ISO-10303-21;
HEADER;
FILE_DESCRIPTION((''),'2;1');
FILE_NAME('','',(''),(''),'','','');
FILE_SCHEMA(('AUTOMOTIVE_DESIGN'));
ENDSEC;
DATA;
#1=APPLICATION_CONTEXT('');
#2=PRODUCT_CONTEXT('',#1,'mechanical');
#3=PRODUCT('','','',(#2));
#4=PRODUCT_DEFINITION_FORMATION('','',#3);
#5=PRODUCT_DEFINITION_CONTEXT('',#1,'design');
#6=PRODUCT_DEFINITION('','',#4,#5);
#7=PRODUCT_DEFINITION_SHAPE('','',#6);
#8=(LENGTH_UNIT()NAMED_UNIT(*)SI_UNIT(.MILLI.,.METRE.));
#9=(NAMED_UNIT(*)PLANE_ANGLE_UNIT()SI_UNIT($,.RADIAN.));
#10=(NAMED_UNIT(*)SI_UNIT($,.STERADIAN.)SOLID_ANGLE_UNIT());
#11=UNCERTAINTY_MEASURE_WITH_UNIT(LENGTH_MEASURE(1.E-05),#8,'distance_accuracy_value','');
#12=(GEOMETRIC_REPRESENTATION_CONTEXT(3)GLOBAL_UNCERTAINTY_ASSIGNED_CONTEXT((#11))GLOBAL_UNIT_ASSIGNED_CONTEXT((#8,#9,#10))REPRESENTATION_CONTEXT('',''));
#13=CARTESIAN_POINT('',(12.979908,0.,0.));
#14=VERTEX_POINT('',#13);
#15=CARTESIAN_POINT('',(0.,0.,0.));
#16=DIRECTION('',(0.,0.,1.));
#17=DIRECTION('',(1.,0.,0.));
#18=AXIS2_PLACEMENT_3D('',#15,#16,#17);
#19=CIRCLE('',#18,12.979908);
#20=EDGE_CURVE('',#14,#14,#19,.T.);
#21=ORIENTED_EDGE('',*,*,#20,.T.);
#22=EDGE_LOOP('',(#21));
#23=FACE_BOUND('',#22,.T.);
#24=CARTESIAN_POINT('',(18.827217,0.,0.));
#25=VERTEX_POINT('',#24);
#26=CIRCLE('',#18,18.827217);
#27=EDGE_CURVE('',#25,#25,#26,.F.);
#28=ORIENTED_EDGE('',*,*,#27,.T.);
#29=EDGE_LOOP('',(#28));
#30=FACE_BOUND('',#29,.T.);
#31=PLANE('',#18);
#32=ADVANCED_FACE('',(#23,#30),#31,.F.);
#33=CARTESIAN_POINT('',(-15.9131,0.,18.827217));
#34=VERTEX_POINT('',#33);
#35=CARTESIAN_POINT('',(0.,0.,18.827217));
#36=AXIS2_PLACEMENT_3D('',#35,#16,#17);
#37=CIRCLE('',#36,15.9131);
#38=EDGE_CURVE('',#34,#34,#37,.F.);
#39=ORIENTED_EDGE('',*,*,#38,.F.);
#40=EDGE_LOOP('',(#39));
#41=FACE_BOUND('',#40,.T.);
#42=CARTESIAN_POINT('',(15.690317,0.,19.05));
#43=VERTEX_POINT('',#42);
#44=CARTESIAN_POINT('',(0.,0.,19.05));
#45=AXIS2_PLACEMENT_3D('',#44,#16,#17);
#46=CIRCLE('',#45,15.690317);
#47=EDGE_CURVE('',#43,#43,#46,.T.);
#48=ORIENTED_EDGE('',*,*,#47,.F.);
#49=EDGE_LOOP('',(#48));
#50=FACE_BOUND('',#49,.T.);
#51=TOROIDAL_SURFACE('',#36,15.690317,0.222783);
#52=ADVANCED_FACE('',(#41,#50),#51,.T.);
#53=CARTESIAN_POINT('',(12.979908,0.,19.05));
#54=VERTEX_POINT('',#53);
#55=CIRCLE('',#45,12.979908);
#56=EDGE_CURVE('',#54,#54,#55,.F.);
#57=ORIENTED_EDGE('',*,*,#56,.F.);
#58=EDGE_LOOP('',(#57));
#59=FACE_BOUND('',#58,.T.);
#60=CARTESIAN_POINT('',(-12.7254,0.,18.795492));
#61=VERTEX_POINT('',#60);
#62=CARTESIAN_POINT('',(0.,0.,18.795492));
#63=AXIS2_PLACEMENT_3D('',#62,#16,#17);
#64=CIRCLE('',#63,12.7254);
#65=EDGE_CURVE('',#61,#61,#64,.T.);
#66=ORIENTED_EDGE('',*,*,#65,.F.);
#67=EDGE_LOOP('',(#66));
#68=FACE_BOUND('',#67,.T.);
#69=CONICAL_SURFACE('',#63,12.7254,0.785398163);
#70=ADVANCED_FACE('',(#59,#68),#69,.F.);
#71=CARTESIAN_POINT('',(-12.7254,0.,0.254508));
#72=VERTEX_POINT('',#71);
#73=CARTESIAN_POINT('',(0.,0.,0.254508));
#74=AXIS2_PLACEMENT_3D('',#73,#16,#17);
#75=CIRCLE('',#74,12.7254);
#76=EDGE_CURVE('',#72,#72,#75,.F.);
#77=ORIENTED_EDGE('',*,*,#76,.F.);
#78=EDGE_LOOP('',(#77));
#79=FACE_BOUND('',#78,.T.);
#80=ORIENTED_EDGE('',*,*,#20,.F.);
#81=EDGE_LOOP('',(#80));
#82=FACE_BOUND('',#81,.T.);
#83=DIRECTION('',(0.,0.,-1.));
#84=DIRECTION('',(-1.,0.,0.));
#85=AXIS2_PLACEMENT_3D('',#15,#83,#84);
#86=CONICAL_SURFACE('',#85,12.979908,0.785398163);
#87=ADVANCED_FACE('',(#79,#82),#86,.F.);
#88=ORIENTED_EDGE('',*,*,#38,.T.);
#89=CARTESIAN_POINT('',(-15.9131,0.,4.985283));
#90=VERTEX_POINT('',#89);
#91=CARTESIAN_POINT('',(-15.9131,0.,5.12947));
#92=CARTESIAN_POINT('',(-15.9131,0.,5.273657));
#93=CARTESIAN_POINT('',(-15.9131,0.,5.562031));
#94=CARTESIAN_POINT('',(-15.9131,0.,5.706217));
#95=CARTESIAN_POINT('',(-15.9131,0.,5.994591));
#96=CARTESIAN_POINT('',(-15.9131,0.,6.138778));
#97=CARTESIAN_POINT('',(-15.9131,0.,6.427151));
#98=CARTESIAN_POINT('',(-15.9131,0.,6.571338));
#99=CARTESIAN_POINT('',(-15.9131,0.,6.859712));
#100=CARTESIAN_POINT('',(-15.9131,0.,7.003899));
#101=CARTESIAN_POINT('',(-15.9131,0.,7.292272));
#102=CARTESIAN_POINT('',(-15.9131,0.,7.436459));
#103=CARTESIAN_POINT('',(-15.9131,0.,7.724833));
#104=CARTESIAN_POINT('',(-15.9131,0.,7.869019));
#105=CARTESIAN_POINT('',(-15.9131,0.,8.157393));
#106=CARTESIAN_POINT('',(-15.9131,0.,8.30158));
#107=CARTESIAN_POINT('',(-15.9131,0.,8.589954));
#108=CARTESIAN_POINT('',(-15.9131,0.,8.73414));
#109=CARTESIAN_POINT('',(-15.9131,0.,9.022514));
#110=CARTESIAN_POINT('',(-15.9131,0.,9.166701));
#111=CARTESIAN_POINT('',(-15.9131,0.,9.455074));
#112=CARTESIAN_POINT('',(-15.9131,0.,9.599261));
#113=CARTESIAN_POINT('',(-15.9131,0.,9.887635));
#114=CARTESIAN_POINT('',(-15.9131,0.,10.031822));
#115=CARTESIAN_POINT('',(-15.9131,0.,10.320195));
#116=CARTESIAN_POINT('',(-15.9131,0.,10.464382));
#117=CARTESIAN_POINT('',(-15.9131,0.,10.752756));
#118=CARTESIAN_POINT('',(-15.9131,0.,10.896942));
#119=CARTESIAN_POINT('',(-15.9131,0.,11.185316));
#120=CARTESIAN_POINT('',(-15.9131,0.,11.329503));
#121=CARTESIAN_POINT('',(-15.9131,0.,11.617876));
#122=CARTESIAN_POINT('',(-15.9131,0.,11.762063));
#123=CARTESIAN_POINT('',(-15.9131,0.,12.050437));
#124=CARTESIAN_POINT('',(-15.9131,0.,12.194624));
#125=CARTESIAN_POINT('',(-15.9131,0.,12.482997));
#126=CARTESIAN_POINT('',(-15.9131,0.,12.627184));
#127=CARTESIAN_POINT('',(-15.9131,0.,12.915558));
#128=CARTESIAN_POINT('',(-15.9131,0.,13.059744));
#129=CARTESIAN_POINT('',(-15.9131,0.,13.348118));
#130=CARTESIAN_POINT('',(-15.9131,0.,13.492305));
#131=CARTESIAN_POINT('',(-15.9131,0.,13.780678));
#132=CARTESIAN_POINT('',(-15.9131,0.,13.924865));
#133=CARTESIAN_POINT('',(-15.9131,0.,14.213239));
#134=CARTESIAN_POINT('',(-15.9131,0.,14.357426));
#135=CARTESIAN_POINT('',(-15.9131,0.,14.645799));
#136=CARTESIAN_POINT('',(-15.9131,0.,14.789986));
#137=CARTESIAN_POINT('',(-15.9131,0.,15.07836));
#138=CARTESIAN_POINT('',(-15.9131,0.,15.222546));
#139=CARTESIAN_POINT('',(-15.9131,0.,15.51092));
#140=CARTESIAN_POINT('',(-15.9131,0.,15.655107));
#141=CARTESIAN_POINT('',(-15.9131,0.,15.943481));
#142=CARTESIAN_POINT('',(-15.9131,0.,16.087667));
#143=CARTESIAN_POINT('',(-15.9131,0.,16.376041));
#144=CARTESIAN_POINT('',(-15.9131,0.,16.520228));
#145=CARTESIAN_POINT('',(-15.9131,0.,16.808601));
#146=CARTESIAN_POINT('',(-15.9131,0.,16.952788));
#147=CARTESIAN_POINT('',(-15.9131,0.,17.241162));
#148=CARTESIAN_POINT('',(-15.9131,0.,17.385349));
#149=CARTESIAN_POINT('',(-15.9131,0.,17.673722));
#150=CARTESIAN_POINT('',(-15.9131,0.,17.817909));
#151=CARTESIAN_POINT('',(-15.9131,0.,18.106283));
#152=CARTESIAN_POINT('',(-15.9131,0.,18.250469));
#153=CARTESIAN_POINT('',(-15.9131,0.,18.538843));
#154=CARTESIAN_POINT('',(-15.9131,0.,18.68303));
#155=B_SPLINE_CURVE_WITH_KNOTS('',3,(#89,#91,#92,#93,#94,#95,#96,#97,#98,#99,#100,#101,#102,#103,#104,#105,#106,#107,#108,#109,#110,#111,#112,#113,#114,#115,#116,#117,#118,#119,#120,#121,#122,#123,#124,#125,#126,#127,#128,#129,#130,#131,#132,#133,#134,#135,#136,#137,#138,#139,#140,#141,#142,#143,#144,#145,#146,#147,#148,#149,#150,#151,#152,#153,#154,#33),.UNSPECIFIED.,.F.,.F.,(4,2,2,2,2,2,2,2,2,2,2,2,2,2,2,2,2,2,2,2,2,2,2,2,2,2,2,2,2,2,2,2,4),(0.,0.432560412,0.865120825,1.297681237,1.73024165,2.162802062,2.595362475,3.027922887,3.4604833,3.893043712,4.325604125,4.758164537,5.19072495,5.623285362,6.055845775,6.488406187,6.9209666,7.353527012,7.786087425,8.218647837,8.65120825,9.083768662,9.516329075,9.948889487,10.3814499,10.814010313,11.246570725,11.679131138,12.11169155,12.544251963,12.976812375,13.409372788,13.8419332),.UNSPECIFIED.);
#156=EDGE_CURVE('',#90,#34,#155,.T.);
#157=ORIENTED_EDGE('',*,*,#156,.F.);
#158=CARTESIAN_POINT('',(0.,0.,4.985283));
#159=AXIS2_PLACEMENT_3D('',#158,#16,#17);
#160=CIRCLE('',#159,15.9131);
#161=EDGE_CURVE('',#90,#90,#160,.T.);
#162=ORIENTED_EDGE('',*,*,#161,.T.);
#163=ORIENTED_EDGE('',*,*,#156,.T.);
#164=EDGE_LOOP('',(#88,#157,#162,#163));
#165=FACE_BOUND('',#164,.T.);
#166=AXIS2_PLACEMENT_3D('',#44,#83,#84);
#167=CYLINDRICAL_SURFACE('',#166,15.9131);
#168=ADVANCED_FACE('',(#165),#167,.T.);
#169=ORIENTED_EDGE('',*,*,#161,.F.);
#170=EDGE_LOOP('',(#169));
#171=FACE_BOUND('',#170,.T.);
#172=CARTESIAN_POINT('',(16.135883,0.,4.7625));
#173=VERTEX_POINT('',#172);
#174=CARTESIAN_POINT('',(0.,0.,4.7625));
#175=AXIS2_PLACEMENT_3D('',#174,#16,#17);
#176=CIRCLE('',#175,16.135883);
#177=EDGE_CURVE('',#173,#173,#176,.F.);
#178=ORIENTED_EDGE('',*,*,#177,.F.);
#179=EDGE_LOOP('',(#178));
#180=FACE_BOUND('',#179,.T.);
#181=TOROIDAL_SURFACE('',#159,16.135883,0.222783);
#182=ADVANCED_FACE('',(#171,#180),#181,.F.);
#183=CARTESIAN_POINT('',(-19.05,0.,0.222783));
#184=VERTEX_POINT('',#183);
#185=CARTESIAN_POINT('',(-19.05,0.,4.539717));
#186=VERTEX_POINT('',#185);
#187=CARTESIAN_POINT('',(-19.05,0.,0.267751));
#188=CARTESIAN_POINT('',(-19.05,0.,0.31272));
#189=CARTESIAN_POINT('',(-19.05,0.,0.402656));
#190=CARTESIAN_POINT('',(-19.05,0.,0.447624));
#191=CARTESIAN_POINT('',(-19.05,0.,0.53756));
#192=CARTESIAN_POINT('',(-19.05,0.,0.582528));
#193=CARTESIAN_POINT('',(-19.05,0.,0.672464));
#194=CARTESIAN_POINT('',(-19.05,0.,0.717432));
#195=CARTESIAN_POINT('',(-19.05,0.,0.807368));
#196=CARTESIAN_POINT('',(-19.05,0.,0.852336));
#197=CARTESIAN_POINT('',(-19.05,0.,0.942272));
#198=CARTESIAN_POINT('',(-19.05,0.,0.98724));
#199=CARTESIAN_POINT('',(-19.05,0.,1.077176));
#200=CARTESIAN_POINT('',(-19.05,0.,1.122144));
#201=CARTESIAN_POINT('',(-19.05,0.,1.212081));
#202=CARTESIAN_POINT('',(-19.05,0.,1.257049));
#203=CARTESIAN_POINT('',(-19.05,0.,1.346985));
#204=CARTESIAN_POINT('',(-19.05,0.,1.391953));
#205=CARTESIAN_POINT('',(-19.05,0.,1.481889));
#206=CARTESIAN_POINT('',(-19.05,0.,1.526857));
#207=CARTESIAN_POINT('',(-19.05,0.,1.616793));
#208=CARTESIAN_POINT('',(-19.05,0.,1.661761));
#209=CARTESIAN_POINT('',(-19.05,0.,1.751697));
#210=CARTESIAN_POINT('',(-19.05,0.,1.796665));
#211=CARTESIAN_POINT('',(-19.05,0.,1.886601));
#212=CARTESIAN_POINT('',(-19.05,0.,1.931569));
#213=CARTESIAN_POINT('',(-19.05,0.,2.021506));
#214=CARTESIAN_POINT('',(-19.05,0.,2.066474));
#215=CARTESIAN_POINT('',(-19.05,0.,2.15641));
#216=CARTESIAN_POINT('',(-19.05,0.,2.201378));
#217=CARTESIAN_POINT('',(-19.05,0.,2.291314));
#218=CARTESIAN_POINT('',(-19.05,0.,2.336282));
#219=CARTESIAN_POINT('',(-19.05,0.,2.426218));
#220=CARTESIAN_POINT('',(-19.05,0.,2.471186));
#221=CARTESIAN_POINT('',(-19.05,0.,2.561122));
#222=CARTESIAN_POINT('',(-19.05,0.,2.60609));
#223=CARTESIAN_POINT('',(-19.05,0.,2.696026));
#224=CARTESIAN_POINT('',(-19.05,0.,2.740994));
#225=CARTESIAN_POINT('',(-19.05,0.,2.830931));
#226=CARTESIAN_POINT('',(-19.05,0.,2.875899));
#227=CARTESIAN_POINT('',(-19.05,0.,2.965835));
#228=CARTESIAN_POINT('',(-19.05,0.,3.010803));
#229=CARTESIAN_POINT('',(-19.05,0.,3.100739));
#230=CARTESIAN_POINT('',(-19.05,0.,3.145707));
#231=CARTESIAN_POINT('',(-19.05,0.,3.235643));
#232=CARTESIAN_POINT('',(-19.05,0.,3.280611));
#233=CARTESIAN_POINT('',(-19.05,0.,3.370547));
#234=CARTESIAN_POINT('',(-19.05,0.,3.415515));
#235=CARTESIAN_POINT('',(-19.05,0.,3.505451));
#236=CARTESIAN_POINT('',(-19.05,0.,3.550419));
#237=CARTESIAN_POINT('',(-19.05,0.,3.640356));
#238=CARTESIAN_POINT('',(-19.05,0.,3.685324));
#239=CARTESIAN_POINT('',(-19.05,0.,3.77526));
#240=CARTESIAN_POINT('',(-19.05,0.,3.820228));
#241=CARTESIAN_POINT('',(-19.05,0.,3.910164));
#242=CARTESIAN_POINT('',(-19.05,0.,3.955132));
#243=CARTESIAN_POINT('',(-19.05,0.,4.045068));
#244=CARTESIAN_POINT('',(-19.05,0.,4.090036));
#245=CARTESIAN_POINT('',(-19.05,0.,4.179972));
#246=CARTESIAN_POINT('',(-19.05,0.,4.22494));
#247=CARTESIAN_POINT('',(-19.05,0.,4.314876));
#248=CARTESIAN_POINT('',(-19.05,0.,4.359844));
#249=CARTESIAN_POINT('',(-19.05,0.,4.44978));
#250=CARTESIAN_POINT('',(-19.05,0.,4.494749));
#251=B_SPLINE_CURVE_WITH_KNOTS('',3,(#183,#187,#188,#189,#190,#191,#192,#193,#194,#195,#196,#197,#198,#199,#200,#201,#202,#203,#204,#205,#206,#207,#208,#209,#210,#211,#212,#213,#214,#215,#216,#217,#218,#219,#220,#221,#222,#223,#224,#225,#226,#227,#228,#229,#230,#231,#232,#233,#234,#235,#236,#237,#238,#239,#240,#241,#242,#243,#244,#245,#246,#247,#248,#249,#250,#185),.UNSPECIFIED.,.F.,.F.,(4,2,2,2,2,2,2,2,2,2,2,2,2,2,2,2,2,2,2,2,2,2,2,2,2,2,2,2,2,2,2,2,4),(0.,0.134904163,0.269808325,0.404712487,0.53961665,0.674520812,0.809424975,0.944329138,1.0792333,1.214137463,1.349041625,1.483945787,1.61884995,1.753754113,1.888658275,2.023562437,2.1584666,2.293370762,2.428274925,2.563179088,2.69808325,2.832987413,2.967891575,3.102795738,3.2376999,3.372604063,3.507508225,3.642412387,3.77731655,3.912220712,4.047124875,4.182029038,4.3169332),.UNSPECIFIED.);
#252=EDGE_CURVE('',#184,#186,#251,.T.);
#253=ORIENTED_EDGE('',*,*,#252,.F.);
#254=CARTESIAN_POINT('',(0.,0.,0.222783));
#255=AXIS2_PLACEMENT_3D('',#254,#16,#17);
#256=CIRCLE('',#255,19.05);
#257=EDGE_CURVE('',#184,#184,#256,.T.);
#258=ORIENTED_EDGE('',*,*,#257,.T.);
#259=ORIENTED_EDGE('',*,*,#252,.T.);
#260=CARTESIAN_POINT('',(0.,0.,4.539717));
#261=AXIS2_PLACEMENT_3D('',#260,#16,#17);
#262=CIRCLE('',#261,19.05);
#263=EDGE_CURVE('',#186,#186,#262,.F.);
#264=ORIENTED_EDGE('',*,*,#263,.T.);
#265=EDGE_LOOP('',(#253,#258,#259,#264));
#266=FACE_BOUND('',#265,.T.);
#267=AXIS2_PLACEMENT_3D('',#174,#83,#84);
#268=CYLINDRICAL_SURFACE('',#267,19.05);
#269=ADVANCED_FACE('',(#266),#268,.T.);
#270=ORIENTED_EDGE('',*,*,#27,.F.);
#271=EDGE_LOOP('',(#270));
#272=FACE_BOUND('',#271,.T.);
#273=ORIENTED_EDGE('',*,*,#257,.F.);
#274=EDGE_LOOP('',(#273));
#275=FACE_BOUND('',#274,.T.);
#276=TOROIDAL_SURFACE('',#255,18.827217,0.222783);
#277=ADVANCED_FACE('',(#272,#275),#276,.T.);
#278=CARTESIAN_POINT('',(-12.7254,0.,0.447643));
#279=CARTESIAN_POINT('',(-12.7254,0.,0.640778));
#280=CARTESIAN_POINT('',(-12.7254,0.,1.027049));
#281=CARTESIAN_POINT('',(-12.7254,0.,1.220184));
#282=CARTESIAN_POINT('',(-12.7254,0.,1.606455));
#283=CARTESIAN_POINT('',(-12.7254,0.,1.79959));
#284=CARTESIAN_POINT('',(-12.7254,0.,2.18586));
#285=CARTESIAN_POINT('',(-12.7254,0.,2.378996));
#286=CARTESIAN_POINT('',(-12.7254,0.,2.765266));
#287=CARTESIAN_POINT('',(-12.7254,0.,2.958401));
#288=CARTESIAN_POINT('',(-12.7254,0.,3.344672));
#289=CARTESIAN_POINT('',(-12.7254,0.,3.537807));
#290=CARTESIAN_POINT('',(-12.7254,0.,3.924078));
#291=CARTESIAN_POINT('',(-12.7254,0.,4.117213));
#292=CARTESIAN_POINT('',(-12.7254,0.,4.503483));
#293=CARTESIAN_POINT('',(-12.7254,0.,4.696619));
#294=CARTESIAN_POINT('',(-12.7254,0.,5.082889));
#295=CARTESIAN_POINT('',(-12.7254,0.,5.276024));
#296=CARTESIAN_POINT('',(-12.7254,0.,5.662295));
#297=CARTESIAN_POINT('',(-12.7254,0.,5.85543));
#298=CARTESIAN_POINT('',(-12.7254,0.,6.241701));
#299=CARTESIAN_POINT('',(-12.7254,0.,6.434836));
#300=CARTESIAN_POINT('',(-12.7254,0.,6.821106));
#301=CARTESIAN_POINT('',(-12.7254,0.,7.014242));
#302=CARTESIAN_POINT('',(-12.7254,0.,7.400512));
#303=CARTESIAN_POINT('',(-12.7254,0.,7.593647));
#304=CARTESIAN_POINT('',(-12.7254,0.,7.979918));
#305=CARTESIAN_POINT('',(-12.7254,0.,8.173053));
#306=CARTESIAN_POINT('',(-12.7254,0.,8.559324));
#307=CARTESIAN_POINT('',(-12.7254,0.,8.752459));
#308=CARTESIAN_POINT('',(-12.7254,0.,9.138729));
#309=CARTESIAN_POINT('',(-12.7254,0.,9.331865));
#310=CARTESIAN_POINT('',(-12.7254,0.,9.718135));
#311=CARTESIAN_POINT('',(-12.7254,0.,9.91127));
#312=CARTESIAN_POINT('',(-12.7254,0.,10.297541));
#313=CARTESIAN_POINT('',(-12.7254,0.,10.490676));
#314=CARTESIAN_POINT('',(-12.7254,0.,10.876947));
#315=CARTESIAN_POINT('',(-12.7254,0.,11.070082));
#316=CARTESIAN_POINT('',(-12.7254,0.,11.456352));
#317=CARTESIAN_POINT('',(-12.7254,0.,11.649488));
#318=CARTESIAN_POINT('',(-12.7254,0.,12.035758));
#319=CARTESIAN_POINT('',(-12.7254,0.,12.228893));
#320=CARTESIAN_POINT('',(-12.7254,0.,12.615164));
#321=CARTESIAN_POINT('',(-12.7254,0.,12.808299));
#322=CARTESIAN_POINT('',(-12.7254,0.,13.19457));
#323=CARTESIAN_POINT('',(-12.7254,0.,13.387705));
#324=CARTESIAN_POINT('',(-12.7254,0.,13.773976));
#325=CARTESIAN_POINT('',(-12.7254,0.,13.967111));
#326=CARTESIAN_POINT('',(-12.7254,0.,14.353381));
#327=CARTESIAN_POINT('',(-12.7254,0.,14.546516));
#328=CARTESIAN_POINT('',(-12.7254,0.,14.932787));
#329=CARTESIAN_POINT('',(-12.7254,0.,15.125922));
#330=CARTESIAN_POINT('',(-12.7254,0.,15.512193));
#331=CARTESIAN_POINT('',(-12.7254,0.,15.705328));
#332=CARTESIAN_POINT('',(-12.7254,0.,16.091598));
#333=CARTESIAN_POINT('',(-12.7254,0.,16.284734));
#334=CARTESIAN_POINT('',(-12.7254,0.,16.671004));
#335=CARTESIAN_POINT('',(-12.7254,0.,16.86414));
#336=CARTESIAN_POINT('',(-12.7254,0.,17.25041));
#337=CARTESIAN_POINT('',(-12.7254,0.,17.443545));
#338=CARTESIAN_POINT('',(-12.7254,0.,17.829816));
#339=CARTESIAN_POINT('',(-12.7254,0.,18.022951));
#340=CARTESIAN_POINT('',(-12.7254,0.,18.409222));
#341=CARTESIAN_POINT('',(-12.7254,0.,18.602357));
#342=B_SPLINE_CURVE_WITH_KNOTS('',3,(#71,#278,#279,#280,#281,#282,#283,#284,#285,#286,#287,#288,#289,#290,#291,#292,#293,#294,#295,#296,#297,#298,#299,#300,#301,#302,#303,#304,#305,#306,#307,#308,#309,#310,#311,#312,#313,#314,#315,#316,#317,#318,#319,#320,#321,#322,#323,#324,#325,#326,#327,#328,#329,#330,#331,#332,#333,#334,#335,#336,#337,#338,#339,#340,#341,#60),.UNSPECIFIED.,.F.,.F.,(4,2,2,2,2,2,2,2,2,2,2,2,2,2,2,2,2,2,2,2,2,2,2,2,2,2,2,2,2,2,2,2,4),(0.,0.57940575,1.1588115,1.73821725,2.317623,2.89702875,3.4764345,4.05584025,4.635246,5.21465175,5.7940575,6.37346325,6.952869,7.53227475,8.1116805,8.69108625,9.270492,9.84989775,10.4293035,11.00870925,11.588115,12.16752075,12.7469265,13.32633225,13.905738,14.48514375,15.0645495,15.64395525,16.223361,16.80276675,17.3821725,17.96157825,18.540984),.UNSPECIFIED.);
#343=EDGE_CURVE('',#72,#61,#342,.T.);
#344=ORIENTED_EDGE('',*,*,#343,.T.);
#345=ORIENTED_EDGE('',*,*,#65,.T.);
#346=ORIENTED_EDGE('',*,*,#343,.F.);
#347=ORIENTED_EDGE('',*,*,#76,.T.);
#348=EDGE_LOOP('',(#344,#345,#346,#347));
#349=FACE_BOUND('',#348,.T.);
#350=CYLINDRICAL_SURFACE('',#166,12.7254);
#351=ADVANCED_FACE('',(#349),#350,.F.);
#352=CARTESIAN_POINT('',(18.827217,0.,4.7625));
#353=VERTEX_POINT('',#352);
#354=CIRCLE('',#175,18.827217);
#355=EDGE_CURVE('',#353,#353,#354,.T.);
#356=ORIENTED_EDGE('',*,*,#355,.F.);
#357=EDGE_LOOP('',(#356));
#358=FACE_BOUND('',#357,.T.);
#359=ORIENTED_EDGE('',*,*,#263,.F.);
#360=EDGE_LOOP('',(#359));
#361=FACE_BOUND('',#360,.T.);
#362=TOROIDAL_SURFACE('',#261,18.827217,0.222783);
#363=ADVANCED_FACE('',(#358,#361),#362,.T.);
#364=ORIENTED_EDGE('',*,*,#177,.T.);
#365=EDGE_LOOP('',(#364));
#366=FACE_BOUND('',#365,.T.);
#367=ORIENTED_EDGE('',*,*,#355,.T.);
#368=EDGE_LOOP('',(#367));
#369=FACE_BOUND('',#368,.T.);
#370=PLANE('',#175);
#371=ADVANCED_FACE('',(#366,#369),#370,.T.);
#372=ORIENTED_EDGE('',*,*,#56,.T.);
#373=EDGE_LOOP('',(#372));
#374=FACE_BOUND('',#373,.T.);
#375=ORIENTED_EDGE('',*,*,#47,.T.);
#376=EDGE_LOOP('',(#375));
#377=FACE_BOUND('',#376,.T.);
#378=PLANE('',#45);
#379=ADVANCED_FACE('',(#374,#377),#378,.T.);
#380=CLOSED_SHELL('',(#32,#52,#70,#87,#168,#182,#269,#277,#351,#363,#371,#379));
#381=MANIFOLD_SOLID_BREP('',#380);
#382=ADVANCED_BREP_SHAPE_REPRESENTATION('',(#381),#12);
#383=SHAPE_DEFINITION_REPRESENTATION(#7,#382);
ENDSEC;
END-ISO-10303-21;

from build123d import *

# Parameters (mm, degrees)
SKETCH3_R           = 15.9131
SKETCH3_R_2         = 12.7254
BOSS_EXTRUDE1_DEPTH = 19.05
SKETCH4_R           = 19.05
SKETCH4_R_2         = 15.9131
BOSS_EXTRUDE2_DEPTH = 4.7625
CHAMFER1_SIZE       = 0.254508
FILLET1_R           = 0.2227834


with BuildPart() as part:
    # Sketch3 → Boss-Extrude1 (new body)
    with BuildSketch(Plane.XY):
        with Locations(Location((0, 0, 0), (0, 0, 180))):
            Circle(SKETCH3_R)
        with Locations(Location((0, 0, 0), (0, 0, 180))):
            Circle(SKETCH3_R_2, mode=Mode.SUBTRACT)
    extrude(amount=BOSS_EXTRUDE1_DEPTH)

    # Sketch4 → Boss-Extrude2 (add)
    with BuildSketch(Plane.XY):
        with Locations(Location((0, 0, 0), (0, 0, 180))):
            Circle(SKETCH4_R)
        with Locations(Location((0, 0, 0), (0, 0, 180))):
            Circle(SKETCH4_R_2, mode=Mode.SUBTRACT)
    extrude(amount=BOSS_EXTRUDE2_DEPTH)

    # Chamfer1
    chamfer1_edges = [part.edges().sort_by_distance(p)[0] for p in [
        (12.7254, 0, 0),
        (12.7254, 0, 19.05),
    ]]
    chamfer(chamfer1_edges, length=CHAMFER1_SIZE)

    # Fillet1
    fillet1_edges = [part.edges().sort_by_distance(p)[0] for p in [
        (19.05, 0, 4.7625),
        (19.05, 0, 0),
        (15.9131, 0, 4.7625),
        (15.9131, 0, 19.05),
    ]]
    fillet(fillet1_edges, radius=FILLET1_R)


solid = part.part
